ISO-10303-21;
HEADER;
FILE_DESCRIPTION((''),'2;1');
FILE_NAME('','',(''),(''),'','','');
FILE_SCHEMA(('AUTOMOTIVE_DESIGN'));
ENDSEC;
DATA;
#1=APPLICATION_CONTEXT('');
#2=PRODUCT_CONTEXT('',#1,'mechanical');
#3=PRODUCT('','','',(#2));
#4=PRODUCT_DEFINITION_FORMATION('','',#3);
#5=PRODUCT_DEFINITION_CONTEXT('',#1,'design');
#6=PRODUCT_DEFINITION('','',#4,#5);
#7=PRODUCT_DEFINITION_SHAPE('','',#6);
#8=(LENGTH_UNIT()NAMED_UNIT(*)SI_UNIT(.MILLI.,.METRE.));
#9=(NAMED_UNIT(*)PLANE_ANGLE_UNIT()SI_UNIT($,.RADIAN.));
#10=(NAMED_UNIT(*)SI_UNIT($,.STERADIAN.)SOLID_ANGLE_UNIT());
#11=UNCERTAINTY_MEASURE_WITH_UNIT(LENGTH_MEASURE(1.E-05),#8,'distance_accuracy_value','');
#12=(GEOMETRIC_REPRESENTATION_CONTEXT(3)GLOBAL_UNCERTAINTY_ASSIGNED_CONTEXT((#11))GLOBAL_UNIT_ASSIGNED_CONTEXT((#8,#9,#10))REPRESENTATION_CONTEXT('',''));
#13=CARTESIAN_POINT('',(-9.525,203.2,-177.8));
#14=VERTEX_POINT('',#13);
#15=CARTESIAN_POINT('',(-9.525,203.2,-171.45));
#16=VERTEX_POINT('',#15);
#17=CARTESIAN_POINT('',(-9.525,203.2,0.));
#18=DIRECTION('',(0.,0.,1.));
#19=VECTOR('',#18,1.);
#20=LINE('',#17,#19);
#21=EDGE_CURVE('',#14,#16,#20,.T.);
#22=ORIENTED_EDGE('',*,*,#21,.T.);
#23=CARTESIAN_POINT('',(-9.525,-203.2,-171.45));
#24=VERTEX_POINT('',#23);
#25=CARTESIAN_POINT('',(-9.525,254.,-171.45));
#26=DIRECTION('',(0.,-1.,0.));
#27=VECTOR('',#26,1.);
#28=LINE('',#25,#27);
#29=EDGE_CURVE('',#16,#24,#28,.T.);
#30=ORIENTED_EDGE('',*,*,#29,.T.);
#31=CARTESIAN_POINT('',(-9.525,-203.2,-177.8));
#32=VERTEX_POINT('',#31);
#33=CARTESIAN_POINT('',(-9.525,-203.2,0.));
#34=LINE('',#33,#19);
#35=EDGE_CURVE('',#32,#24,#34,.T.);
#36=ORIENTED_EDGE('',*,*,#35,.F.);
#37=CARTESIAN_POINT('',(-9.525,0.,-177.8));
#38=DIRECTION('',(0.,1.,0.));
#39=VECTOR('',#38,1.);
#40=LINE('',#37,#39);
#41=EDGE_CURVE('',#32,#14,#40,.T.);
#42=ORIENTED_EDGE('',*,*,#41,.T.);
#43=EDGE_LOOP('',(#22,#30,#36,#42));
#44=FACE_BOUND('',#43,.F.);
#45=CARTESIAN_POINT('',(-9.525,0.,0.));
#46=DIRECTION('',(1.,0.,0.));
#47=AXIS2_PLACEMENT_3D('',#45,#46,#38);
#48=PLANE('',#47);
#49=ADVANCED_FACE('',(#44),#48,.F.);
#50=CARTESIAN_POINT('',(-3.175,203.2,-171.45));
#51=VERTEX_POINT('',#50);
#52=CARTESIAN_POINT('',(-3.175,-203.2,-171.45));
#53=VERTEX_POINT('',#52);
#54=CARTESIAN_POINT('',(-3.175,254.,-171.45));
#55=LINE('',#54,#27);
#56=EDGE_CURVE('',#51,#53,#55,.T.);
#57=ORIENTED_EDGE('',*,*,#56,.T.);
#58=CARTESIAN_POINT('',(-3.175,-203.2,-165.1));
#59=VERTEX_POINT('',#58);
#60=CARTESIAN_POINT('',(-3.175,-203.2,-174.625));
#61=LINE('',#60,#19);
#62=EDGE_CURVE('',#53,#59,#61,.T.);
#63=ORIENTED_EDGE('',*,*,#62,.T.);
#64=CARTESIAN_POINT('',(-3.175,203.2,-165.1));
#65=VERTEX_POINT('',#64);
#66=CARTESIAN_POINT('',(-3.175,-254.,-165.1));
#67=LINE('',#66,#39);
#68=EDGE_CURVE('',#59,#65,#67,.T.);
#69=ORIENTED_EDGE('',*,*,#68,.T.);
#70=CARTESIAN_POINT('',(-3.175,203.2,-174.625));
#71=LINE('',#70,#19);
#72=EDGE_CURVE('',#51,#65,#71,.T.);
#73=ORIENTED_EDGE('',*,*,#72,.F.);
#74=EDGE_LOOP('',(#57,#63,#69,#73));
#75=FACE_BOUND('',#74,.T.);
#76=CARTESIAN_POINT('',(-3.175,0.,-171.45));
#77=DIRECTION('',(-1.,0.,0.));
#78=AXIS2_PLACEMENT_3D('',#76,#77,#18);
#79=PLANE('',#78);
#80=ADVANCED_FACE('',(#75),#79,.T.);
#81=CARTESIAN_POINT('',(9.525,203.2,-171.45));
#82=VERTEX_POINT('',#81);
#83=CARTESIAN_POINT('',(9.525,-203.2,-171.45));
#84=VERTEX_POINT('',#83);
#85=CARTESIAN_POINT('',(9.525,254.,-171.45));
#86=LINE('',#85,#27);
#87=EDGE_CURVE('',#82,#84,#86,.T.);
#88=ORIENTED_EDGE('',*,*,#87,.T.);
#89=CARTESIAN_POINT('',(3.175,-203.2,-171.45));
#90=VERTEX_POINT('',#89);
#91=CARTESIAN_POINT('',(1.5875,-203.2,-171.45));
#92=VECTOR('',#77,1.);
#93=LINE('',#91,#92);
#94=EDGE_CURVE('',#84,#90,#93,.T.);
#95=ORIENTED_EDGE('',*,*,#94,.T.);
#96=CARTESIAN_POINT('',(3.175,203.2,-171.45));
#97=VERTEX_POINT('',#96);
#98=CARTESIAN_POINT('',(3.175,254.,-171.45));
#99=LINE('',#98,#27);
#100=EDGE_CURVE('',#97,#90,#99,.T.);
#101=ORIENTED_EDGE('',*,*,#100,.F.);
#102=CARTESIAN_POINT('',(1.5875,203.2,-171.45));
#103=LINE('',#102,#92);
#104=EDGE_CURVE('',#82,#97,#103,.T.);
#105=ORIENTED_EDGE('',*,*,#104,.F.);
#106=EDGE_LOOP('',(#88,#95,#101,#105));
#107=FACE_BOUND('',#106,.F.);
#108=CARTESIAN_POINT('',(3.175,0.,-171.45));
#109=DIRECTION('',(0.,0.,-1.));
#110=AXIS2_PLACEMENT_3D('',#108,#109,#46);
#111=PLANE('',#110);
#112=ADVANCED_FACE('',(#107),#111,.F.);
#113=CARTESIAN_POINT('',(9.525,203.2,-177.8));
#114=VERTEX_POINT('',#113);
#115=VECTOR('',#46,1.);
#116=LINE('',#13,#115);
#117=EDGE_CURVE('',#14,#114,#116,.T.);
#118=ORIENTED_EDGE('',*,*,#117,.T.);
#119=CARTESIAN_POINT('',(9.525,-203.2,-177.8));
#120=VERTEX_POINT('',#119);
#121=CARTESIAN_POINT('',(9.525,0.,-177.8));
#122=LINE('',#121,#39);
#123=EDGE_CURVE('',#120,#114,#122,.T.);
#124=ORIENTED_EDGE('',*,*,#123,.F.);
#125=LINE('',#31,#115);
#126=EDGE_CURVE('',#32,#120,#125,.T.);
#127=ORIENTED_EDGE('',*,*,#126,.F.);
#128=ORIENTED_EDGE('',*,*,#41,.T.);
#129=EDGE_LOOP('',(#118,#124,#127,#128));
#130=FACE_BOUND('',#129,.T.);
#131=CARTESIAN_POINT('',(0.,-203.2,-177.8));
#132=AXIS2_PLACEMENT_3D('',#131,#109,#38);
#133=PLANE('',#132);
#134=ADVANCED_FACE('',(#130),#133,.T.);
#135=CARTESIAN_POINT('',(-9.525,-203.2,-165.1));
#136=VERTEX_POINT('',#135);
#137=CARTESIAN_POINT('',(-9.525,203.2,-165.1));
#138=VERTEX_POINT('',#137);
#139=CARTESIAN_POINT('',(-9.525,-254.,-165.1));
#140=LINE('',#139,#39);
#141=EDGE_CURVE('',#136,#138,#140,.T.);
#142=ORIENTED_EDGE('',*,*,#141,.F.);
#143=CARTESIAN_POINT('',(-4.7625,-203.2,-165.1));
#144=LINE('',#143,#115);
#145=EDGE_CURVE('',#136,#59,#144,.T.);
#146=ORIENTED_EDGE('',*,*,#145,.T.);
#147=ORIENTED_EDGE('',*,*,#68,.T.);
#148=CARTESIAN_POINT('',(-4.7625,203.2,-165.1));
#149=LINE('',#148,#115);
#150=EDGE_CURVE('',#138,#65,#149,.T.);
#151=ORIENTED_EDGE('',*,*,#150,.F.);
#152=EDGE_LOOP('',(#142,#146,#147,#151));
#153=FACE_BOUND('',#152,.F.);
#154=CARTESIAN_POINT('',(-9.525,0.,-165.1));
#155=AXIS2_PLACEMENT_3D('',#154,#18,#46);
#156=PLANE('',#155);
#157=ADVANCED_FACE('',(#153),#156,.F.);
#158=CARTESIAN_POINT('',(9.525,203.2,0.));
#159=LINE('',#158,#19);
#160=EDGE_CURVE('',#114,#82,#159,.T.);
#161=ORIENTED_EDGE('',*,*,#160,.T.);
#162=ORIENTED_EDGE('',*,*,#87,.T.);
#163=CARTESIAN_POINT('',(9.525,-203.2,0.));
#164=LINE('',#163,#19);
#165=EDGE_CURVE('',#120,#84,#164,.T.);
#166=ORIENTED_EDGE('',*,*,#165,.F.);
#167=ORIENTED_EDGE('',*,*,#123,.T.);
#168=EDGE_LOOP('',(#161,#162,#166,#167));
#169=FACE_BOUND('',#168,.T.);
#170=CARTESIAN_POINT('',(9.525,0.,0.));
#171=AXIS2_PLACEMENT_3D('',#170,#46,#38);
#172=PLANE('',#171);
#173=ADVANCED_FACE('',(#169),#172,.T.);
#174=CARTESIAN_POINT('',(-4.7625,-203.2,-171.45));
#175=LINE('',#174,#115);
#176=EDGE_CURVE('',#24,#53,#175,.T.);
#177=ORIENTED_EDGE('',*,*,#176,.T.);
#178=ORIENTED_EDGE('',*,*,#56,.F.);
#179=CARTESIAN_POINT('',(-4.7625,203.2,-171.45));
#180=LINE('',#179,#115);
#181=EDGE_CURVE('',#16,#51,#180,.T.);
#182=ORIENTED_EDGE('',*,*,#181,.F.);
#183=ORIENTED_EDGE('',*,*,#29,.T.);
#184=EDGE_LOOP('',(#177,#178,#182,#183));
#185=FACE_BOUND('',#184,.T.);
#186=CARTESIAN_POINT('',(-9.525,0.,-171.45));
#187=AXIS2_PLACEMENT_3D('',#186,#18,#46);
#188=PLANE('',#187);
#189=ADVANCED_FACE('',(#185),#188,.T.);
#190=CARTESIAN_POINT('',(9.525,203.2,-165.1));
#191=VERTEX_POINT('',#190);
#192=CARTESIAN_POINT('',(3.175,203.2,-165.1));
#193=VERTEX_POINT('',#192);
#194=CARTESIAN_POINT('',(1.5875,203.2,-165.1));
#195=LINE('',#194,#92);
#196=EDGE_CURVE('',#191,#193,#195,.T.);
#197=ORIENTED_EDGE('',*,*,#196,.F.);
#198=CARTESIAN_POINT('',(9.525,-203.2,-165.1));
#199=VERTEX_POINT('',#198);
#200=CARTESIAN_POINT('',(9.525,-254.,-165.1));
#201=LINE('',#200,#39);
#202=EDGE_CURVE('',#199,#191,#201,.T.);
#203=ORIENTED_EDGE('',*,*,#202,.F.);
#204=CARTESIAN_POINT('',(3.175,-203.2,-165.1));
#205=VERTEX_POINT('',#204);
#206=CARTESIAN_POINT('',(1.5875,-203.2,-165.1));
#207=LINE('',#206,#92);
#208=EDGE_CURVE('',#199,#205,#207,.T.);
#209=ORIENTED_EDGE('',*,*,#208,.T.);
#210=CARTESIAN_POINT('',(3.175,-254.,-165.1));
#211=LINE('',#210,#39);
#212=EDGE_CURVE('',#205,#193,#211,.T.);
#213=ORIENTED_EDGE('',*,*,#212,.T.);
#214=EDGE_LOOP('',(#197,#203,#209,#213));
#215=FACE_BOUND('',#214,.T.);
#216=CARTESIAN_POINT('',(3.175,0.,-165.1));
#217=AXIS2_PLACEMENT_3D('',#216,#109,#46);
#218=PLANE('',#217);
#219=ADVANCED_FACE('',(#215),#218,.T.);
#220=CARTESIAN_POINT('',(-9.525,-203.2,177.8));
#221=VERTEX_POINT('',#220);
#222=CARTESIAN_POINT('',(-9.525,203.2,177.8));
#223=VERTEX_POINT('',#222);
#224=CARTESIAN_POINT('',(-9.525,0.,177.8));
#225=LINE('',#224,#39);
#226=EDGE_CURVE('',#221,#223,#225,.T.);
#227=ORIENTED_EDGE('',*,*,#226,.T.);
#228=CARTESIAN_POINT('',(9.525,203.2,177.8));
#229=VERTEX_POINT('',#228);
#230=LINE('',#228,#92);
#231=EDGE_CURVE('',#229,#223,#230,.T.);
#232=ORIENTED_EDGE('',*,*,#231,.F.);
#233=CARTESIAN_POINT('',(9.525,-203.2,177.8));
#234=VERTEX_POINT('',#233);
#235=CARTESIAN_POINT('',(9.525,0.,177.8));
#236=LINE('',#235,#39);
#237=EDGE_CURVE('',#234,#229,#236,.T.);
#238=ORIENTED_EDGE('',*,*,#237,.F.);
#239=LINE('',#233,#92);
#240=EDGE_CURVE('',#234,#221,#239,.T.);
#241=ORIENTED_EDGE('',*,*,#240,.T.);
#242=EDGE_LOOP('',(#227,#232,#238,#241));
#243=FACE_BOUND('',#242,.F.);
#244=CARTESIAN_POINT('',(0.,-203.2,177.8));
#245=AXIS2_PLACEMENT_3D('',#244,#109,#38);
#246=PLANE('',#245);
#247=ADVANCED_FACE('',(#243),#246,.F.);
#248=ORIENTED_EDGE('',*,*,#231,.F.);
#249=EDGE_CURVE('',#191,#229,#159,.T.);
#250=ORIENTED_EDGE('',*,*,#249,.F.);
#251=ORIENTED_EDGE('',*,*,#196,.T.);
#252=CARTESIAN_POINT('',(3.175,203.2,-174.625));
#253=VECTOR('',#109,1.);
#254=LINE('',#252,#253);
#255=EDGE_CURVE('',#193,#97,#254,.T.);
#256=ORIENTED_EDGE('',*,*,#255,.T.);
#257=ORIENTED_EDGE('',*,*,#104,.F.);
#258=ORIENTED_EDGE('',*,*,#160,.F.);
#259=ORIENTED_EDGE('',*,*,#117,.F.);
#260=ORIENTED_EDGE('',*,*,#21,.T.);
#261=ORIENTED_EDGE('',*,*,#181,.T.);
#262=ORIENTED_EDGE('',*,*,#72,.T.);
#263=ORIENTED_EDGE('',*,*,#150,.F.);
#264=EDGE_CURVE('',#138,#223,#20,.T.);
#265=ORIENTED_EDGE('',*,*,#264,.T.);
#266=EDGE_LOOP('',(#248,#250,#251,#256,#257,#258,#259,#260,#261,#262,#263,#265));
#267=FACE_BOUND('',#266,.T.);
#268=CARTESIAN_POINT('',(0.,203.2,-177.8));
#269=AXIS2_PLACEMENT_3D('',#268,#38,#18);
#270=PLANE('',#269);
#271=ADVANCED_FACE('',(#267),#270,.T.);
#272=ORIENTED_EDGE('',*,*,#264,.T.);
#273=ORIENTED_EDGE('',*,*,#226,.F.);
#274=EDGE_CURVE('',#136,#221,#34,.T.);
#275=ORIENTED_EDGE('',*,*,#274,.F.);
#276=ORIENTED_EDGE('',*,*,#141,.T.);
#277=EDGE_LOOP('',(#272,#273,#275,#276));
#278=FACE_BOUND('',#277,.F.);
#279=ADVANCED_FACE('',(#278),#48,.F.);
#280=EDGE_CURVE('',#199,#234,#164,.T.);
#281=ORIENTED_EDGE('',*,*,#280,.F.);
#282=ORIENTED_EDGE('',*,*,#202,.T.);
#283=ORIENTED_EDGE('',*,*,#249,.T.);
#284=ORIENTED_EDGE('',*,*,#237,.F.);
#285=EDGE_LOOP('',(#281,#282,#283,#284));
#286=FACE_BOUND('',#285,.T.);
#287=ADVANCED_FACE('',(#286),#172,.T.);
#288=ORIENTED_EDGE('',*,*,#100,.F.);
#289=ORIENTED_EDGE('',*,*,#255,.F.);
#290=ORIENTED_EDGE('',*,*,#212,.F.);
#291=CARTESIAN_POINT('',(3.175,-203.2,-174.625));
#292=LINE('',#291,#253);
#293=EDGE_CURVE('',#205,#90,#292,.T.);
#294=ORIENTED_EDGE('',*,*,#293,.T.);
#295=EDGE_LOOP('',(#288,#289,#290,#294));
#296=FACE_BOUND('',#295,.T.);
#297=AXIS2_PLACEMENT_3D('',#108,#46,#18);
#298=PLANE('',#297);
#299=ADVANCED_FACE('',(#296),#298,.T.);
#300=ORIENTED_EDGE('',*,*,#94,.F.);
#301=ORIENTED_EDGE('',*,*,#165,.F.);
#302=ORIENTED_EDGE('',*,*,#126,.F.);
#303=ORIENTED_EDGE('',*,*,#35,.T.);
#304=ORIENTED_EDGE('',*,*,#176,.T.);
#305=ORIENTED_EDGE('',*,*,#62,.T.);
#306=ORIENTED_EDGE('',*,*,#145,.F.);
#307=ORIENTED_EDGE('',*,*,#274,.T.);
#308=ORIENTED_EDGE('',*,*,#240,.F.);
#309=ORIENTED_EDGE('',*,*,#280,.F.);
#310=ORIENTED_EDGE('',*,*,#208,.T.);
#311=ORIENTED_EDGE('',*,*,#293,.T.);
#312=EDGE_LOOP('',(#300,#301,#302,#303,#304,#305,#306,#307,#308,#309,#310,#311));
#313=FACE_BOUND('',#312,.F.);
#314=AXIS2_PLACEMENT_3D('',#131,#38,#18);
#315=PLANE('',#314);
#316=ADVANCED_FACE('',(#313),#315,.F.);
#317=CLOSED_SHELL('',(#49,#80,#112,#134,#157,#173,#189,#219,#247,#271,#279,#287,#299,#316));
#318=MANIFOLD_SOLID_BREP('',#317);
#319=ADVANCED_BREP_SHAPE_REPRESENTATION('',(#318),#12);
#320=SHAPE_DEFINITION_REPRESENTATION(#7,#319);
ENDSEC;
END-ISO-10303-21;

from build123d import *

# Parameters (mm, degrees)
F0_W     = 406.4
F0_H     = 355.6
F1_DEPTH = 9.525
F2_W     = 6.35
F2_H     = 6.35
F3_DEPTH = 254


with BuildPart() as f1:
    # F0 (on Right) → F1 (new body, symmetric)
    with BuildSketch(Plane.YZ):
        Rectangle(F0_W, F0_H)
    extrude(amount=F1_DEPTH, both=True)

    # F2 (on Front) → F3 (cut, symmetric)
    with BuildSketch(Plane.XZ):
        with Locations((-6.35, -168.275)):
            Rectangle(F2_W, F2_H)
        with Locations((6.35, -168.275)):
            Rectangle(F2_W, F2_H)
    extrude(amount=F3_DEPTH, both=True, mode=Mode.SUBTRACT)


solid = f1.part
